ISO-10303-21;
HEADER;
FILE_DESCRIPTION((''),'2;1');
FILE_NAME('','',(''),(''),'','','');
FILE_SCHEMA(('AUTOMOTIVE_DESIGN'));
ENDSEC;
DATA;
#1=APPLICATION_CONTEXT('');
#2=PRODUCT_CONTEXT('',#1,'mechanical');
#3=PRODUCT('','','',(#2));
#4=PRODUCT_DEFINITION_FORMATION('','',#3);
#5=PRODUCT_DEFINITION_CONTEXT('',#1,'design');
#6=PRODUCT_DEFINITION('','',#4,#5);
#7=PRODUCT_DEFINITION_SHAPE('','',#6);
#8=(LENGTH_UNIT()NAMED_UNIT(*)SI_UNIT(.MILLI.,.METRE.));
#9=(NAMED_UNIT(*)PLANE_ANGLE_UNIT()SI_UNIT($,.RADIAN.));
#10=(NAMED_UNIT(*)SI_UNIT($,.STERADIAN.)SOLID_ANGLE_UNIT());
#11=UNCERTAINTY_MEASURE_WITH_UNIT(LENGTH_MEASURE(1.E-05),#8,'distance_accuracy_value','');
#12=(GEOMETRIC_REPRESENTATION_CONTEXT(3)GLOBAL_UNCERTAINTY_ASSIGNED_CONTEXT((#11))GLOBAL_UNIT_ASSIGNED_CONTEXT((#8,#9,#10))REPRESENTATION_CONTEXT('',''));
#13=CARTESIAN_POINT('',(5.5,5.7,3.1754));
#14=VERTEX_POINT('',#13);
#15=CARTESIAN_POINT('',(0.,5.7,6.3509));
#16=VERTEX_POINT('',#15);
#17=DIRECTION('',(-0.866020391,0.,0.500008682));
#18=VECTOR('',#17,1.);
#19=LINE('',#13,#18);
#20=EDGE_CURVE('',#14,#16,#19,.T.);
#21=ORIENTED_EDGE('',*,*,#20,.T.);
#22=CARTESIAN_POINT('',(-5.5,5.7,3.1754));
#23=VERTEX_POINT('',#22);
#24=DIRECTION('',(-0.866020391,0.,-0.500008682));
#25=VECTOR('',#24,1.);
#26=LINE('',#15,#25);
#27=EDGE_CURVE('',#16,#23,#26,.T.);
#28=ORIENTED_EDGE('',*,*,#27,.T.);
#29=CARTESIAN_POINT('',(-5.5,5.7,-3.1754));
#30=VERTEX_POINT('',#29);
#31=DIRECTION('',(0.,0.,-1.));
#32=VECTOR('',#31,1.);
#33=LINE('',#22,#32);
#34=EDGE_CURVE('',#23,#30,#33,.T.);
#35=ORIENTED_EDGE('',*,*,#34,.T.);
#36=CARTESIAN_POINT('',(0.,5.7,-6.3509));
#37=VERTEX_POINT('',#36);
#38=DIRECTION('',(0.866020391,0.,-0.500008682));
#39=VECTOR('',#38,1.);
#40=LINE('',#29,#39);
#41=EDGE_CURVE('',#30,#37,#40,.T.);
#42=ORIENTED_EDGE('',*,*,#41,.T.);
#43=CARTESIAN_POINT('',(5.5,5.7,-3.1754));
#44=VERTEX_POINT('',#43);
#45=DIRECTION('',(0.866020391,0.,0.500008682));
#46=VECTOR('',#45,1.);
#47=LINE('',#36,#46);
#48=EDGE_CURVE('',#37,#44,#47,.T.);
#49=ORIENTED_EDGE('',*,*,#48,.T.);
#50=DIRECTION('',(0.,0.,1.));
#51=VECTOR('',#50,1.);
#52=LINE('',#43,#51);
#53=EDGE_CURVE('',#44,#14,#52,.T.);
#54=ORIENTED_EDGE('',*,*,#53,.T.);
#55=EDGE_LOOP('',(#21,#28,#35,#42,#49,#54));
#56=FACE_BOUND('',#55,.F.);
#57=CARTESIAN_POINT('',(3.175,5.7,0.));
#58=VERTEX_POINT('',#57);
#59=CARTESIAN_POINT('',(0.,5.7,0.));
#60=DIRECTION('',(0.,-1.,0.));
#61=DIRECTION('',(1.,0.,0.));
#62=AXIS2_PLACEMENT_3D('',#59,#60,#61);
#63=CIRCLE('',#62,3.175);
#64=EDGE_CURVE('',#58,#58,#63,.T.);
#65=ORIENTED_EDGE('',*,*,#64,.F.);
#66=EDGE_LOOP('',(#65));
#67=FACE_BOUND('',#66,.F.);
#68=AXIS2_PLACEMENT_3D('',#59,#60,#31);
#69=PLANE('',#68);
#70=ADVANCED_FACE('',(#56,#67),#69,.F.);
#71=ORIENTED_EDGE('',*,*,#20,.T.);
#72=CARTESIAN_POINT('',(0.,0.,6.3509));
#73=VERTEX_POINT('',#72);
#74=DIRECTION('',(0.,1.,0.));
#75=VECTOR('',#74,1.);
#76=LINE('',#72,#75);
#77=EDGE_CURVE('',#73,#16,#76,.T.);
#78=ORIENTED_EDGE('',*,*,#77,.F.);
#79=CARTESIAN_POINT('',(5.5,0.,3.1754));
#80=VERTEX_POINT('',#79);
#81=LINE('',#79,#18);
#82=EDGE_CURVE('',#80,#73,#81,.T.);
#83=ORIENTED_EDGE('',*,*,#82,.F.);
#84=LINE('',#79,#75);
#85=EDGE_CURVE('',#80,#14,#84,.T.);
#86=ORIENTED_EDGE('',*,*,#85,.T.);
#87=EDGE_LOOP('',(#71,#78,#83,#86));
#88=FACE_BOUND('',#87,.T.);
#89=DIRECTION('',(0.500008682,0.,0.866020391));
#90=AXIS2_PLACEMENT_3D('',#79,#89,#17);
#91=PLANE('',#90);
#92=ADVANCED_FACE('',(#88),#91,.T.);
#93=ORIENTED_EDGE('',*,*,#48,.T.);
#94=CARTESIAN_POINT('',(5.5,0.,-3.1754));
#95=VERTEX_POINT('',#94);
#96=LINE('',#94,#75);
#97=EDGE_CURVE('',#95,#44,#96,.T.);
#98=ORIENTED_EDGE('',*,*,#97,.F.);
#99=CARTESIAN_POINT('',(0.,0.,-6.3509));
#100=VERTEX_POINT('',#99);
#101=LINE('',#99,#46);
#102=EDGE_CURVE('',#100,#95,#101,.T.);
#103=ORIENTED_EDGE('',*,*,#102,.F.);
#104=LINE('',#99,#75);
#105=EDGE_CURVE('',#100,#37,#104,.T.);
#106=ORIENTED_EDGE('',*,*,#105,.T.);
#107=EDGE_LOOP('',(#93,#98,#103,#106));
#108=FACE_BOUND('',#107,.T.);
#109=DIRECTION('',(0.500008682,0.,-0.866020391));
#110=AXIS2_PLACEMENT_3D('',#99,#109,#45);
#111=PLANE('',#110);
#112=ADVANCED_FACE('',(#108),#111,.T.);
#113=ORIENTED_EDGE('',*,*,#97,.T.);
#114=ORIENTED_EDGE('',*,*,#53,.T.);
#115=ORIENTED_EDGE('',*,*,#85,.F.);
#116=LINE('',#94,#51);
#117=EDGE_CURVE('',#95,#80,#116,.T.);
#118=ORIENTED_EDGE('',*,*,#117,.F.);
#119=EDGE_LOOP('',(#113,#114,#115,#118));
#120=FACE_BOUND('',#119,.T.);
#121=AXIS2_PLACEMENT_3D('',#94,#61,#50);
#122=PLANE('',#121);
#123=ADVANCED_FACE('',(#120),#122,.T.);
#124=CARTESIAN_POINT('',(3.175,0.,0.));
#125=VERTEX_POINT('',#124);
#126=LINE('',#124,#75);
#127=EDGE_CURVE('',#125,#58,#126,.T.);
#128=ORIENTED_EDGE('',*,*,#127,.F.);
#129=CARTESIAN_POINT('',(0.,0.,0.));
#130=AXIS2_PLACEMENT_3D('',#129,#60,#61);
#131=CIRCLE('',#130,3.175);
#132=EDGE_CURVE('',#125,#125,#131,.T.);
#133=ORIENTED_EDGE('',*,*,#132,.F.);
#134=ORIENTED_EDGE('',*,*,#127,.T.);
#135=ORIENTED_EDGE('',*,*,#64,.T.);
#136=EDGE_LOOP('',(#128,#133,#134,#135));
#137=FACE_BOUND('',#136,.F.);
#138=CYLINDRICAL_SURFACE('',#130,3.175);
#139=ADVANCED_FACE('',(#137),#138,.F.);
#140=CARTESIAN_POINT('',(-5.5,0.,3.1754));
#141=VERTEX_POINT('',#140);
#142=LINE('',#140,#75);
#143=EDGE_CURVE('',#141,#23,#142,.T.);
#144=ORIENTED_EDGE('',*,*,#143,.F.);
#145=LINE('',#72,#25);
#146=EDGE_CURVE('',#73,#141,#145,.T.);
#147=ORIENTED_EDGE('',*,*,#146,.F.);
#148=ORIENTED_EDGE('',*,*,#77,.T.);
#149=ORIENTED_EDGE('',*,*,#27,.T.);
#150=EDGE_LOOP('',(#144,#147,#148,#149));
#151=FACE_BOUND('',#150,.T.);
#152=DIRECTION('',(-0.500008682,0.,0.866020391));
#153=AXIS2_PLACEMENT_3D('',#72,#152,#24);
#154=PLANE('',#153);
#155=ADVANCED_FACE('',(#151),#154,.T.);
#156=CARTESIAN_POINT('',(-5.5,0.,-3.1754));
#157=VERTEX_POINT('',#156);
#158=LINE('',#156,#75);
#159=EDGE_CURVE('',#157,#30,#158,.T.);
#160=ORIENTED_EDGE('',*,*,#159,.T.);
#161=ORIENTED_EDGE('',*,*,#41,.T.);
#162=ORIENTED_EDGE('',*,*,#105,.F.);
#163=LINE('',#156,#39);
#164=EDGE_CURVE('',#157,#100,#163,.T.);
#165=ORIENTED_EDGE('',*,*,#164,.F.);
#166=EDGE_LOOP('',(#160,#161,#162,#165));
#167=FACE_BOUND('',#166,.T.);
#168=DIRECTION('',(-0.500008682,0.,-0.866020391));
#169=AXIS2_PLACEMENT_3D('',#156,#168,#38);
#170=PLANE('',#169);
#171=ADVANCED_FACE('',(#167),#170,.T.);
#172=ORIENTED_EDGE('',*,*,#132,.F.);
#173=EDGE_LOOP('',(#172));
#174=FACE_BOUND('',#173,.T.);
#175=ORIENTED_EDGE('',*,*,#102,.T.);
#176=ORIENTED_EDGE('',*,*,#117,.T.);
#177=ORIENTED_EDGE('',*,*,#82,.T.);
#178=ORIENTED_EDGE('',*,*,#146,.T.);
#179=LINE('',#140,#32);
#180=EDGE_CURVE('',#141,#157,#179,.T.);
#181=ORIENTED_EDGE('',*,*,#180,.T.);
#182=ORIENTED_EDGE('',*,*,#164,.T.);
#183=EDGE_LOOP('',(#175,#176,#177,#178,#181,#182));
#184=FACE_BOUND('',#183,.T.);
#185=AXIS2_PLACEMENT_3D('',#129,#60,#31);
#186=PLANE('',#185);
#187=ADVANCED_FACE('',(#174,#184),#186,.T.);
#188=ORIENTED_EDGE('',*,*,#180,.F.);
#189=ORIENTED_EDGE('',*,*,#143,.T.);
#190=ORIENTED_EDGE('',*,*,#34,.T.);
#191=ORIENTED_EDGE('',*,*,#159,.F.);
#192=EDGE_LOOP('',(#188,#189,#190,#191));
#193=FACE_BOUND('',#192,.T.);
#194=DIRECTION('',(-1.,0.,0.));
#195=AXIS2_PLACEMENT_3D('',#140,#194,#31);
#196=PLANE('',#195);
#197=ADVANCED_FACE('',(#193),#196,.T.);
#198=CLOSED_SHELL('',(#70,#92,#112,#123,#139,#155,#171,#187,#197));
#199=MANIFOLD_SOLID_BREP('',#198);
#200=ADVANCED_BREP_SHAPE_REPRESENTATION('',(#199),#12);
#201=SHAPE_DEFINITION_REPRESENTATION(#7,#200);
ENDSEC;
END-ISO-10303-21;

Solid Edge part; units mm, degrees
sketch "Sketch1" plane through (0, 0, 0) normal (0, -1, 0) x (1, 0, 0)
  line L0 (5.5, 3.1754) -> (0, 6.3509)
  line L1 (0, 6.3509) -> (-5.5, 3.1754)
  line L2 (-5.5, 3.1754) -> (-5.5, -3.1754)
  line L3 (-5.5, -3.1754) -> (0, -6.3509)
  line L4 (0, -6.3509) -> (5.5, -3.1754)
  line L5 (5.5, -3.1754) -> (5.5, 3.1754)
  circle A0 centre (0, 0) radius 3.175
extrude "Protrusion1" add sketch "Sketch1" against normal blind 5.7
